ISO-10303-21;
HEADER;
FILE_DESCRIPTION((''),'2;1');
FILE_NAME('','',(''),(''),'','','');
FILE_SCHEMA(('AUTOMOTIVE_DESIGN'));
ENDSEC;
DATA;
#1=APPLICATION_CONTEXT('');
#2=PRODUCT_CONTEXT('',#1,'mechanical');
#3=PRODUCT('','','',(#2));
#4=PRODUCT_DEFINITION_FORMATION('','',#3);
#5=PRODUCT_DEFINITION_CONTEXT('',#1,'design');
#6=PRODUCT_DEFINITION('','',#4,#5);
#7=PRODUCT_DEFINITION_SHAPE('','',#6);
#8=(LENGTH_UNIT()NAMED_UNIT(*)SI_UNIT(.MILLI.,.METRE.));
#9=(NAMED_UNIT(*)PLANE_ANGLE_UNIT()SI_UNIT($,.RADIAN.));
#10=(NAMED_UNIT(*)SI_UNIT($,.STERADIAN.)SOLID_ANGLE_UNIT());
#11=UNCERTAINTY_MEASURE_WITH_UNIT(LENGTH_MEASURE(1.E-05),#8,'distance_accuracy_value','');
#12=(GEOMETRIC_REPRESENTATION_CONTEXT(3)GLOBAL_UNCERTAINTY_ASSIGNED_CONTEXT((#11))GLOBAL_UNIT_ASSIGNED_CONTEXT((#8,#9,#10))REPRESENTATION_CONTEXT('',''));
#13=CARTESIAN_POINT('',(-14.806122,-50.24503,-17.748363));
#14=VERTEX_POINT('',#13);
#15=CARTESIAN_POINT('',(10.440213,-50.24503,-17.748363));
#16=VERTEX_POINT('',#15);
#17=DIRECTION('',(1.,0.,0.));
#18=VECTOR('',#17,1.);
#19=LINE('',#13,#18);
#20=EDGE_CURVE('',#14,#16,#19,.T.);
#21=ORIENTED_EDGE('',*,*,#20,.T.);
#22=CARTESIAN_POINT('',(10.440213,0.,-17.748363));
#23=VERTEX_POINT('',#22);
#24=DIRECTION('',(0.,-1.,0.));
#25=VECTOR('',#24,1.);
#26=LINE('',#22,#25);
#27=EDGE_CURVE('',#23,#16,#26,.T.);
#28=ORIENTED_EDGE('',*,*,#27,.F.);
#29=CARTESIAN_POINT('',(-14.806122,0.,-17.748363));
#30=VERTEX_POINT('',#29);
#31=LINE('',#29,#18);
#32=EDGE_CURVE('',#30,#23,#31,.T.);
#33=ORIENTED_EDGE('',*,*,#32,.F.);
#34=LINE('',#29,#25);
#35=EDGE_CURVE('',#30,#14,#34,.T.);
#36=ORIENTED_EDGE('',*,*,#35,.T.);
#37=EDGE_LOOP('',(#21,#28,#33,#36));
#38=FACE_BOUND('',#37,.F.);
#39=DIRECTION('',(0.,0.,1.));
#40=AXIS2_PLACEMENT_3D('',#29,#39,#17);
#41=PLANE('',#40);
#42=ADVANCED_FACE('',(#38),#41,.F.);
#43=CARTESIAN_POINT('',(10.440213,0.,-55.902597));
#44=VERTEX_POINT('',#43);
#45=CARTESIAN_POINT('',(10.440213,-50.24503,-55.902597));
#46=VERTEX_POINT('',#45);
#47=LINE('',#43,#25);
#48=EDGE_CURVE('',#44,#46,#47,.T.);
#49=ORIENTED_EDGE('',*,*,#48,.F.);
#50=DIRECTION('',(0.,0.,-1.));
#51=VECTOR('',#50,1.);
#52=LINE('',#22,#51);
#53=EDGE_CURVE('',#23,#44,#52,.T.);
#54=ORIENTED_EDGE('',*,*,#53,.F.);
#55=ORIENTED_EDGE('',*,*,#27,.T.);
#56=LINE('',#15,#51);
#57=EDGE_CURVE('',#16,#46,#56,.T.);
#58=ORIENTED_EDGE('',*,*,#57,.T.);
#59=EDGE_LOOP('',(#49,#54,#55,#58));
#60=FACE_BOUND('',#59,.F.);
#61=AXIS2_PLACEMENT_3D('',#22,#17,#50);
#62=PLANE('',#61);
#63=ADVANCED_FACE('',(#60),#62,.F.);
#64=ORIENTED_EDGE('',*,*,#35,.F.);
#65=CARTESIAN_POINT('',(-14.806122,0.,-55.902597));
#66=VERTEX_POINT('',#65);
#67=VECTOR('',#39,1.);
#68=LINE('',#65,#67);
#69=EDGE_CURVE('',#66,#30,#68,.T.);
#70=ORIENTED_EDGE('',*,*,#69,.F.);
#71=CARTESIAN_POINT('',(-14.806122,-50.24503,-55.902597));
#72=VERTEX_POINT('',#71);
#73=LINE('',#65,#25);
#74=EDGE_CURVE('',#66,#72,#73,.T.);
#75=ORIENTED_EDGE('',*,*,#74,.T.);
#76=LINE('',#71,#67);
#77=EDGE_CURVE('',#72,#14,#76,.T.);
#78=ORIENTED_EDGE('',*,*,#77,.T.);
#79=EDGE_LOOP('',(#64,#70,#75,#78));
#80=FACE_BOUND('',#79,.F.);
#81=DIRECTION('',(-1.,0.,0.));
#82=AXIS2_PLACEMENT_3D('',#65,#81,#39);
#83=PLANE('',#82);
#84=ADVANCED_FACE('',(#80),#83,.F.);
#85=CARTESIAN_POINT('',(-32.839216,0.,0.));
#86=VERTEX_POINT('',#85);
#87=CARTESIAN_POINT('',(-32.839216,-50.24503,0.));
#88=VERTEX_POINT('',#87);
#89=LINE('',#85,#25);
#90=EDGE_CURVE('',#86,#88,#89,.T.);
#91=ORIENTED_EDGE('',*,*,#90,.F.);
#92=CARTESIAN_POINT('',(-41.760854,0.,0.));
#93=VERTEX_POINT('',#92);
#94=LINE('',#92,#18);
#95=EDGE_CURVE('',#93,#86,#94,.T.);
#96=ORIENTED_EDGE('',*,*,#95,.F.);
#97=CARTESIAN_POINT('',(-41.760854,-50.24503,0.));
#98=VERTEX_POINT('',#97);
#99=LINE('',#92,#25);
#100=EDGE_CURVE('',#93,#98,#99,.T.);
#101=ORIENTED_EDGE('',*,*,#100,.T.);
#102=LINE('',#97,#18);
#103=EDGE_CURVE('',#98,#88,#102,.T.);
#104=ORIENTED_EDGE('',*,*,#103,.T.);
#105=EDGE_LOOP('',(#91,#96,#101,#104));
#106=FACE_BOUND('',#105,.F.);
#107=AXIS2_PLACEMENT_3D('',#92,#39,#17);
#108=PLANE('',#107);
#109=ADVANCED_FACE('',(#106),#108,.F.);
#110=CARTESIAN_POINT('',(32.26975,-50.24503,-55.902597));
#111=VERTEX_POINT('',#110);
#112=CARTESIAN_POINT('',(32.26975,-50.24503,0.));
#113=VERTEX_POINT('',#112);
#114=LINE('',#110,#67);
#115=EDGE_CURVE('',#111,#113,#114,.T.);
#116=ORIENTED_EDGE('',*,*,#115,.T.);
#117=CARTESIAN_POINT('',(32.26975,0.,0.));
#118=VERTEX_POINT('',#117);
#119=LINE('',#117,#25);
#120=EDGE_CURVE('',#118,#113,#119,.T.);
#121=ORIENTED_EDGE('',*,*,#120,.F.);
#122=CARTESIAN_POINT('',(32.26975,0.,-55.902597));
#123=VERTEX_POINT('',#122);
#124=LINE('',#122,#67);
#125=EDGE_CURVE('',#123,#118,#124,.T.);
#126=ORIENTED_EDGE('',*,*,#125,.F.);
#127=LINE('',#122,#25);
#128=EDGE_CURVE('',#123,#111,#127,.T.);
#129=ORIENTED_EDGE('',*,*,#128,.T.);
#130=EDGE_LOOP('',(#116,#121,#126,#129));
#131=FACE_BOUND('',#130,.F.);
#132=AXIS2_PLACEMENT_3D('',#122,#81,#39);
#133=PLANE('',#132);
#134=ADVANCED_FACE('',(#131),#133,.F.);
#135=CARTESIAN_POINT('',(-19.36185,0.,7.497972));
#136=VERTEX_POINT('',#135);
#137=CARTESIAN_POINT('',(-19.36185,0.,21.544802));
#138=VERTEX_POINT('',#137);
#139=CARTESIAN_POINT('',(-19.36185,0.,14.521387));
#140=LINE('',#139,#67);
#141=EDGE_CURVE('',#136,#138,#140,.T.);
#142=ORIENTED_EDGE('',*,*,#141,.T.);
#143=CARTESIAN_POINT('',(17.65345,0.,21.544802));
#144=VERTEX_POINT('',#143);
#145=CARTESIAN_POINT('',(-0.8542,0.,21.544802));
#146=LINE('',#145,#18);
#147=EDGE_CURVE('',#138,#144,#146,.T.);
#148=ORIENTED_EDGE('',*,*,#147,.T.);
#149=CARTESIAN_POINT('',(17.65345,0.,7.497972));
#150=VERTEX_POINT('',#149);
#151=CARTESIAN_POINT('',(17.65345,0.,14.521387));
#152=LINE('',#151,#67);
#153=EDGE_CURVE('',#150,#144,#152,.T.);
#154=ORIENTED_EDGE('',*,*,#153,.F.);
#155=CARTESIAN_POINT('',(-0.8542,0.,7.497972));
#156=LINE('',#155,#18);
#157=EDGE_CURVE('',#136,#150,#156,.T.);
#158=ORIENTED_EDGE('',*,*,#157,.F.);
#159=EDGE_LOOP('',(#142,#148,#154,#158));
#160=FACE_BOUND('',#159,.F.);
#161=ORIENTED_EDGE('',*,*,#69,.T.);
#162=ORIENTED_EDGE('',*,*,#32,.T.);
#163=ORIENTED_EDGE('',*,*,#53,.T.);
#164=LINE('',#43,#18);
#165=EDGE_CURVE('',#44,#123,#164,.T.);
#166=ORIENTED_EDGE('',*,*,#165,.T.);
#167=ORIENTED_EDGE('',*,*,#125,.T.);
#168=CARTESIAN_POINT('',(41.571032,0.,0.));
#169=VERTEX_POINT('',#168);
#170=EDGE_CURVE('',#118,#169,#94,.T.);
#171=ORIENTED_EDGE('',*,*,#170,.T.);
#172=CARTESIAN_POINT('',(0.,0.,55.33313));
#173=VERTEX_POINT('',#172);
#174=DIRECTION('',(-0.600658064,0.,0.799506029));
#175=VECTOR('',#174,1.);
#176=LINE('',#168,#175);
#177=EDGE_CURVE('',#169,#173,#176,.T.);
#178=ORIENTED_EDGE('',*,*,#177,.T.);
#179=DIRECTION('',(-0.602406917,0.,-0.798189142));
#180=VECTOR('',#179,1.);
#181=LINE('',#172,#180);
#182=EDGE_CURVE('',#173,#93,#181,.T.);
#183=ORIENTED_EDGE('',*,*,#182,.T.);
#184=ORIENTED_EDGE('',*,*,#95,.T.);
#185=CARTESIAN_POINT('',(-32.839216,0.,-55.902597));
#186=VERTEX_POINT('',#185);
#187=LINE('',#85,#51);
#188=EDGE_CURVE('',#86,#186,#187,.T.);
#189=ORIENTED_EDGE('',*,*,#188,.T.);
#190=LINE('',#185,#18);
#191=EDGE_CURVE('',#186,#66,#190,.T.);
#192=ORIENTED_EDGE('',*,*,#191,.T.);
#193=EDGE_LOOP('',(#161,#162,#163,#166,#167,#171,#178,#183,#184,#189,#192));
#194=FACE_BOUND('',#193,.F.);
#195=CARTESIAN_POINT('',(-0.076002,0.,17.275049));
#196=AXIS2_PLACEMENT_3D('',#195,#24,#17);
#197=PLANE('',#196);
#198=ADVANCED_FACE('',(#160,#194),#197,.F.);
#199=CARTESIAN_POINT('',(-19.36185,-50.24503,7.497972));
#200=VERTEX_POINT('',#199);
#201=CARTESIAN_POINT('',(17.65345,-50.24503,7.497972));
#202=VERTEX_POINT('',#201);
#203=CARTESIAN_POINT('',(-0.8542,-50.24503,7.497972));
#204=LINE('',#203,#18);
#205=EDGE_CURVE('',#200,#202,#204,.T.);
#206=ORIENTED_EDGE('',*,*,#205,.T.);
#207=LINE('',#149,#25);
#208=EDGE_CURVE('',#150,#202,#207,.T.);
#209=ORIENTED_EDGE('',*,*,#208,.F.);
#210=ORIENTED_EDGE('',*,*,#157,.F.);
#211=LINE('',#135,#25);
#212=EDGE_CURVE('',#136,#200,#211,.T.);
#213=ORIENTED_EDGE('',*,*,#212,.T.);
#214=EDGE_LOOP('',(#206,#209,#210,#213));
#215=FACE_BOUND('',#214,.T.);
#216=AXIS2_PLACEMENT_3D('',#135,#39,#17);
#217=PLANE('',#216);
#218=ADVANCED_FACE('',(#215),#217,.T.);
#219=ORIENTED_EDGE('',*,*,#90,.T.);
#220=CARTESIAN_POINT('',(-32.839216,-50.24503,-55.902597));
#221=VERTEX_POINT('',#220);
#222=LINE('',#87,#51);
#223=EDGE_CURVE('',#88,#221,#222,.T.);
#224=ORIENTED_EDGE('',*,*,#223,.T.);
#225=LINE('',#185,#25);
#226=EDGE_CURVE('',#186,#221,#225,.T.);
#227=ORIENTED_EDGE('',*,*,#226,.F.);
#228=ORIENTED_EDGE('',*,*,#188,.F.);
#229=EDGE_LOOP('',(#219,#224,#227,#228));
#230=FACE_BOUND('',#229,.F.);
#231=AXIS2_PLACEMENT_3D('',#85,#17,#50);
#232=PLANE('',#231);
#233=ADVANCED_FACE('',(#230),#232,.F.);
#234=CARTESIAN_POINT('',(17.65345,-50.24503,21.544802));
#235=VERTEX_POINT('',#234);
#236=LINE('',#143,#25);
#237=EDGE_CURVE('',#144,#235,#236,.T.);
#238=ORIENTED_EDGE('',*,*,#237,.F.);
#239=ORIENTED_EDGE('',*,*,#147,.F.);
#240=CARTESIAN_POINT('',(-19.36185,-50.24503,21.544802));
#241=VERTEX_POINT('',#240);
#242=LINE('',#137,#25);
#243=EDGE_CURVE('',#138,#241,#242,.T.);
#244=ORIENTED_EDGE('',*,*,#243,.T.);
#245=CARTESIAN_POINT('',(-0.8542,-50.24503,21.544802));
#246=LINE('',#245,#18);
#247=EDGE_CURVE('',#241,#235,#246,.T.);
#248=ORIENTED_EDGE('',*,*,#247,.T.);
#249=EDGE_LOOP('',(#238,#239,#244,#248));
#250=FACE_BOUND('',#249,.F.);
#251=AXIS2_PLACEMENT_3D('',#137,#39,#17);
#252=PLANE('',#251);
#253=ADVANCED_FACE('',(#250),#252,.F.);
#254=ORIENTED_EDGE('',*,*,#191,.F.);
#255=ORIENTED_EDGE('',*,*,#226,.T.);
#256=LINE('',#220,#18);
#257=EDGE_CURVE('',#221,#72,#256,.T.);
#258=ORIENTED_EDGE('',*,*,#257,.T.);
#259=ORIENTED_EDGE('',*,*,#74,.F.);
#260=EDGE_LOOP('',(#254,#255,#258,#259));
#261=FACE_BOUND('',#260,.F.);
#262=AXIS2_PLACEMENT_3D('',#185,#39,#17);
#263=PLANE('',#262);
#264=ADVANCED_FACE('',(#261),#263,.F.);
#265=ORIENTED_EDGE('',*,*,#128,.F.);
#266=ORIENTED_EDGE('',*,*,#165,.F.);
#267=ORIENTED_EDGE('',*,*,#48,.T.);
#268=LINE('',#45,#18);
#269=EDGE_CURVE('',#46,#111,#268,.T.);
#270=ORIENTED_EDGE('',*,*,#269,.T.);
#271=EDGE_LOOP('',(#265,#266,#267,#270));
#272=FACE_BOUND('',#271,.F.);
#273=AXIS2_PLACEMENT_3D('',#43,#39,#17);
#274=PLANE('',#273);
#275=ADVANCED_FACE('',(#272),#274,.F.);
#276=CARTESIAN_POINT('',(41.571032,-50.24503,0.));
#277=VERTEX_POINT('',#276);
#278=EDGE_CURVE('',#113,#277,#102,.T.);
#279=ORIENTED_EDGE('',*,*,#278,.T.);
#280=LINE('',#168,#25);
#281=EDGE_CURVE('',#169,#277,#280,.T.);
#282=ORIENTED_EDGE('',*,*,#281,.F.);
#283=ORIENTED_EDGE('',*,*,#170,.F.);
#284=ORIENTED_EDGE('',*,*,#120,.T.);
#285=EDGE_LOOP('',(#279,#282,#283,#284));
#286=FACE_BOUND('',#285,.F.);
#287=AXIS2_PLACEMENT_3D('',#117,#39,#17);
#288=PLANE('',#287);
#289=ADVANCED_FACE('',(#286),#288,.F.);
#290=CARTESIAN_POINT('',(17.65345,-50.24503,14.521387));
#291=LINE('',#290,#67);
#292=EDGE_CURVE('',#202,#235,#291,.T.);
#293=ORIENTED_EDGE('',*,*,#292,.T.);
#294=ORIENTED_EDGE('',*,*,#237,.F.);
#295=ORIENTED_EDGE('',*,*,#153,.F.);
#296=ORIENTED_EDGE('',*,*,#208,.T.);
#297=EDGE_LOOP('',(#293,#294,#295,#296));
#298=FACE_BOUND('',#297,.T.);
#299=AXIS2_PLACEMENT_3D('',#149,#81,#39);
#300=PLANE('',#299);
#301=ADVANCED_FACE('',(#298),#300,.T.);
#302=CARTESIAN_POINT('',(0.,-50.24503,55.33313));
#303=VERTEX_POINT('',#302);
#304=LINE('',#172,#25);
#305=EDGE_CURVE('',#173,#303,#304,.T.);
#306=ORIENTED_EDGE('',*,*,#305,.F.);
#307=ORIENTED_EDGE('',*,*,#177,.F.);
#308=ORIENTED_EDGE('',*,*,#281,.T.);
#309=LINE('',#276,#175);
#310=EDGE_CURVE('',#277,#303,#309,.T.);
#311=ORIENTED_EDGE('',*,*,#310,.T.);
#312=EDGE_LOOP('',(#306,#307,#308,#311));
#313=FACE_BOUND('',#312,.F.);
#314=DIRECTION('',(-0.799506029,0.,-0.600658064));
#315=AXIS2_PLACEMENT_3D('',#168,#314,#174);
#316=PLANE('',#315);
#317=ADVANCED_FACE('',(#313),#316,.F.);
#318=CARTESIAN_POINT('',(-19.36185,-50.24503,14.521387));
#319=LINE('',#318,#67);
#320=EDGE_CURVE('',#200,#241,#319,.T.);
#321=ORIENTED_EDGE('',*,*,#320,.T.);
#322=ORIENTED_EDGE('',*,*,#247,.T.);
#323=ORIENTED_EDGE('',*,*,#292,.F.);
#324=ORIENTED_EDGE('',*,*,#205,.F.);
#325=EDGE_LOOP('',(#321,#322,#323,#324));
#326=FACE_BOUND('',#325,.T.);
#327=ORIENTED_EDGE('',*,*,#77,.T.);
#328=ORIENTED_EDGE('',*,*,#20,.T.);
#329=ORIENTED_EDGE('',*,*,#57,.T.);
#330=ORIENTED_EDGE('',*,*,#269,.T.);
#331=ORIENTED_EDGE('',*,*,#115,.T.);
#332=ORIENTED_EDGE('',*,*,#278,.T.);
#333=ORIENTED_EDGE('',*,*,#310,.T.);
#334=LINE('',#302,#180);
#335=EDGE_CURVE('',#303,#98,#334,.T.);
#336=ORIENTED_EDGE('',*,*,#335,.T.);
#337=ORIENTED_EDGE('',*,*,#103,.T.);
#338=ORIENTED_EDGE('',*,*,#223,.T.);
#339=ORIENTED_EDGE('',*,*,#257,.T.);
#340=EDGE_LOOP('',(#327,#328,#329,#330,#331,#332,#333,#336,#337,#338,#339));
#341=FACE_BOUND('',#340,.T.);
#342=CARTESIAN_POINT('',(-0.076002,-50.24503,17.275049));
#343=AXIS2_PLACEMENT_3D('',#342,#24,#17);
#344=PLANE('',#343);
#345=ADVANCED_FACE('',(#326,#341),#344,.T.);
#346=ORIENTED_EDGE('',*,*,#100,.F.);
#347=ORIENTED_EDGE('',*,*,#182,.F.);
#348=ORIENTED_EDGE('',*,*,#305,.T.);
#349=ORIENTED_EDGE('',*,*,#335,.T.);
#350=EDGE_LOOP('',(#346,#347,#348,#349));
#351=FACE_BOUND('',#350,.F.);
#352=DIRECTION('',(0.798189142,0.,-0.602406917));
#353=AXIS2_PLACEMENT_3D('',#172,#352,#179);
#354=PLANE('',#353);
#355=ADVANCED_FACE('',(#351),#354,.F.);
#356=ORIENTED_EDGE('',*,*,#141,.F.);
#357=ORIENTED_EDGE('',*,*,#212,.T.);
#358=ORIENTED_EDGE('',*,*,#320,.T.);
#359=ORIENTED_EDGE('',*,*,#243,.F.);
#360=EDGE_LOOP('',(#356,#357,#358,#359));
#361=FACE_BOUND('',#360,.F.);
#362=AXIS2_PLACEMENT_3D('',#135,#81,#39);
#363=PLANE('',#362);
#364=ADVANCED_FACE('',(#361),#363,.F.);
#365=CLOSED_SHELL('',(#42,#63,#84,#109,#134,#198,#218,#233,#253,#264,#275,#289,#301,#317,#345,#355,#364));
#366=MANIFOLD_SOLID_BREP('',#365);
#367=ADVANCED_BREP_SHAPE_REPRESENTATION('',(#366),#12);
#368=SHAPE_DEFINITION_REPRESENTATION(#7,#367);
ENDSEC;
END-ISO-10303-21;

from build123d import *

# Parameters (mm, degrees)
F0_W     = 37.0153
F0_H     = 14.046831
F1_DEPTH = 50.24503


with BuildPart() as f1:
    # F0 (on Front) → F1 (new body)
    with BuildSketch(Plane.XZ):
        Polygon((-41.760854, 0), (-32.839216, 0), (32.26975, 0), (41.571032, 0), (0, 55.33313), align=None)
        with Locations((-0.8542, 14.521387)):
            Rectangle(F0_W, F0_H, mode=Mode.SUBTRACT)
        Polygon((32.26975, 0), (-32.839216, 0), (-32.839216, -55.902597), (-14.806122, -55.902597), (-14.806122, -17.748363), (10.440213, -17.748363), (10.440213, -55.902597), (32.26975, -55.902597), align=None)
    extrude(amount=F1_DEPTH)


solid = f1.part
